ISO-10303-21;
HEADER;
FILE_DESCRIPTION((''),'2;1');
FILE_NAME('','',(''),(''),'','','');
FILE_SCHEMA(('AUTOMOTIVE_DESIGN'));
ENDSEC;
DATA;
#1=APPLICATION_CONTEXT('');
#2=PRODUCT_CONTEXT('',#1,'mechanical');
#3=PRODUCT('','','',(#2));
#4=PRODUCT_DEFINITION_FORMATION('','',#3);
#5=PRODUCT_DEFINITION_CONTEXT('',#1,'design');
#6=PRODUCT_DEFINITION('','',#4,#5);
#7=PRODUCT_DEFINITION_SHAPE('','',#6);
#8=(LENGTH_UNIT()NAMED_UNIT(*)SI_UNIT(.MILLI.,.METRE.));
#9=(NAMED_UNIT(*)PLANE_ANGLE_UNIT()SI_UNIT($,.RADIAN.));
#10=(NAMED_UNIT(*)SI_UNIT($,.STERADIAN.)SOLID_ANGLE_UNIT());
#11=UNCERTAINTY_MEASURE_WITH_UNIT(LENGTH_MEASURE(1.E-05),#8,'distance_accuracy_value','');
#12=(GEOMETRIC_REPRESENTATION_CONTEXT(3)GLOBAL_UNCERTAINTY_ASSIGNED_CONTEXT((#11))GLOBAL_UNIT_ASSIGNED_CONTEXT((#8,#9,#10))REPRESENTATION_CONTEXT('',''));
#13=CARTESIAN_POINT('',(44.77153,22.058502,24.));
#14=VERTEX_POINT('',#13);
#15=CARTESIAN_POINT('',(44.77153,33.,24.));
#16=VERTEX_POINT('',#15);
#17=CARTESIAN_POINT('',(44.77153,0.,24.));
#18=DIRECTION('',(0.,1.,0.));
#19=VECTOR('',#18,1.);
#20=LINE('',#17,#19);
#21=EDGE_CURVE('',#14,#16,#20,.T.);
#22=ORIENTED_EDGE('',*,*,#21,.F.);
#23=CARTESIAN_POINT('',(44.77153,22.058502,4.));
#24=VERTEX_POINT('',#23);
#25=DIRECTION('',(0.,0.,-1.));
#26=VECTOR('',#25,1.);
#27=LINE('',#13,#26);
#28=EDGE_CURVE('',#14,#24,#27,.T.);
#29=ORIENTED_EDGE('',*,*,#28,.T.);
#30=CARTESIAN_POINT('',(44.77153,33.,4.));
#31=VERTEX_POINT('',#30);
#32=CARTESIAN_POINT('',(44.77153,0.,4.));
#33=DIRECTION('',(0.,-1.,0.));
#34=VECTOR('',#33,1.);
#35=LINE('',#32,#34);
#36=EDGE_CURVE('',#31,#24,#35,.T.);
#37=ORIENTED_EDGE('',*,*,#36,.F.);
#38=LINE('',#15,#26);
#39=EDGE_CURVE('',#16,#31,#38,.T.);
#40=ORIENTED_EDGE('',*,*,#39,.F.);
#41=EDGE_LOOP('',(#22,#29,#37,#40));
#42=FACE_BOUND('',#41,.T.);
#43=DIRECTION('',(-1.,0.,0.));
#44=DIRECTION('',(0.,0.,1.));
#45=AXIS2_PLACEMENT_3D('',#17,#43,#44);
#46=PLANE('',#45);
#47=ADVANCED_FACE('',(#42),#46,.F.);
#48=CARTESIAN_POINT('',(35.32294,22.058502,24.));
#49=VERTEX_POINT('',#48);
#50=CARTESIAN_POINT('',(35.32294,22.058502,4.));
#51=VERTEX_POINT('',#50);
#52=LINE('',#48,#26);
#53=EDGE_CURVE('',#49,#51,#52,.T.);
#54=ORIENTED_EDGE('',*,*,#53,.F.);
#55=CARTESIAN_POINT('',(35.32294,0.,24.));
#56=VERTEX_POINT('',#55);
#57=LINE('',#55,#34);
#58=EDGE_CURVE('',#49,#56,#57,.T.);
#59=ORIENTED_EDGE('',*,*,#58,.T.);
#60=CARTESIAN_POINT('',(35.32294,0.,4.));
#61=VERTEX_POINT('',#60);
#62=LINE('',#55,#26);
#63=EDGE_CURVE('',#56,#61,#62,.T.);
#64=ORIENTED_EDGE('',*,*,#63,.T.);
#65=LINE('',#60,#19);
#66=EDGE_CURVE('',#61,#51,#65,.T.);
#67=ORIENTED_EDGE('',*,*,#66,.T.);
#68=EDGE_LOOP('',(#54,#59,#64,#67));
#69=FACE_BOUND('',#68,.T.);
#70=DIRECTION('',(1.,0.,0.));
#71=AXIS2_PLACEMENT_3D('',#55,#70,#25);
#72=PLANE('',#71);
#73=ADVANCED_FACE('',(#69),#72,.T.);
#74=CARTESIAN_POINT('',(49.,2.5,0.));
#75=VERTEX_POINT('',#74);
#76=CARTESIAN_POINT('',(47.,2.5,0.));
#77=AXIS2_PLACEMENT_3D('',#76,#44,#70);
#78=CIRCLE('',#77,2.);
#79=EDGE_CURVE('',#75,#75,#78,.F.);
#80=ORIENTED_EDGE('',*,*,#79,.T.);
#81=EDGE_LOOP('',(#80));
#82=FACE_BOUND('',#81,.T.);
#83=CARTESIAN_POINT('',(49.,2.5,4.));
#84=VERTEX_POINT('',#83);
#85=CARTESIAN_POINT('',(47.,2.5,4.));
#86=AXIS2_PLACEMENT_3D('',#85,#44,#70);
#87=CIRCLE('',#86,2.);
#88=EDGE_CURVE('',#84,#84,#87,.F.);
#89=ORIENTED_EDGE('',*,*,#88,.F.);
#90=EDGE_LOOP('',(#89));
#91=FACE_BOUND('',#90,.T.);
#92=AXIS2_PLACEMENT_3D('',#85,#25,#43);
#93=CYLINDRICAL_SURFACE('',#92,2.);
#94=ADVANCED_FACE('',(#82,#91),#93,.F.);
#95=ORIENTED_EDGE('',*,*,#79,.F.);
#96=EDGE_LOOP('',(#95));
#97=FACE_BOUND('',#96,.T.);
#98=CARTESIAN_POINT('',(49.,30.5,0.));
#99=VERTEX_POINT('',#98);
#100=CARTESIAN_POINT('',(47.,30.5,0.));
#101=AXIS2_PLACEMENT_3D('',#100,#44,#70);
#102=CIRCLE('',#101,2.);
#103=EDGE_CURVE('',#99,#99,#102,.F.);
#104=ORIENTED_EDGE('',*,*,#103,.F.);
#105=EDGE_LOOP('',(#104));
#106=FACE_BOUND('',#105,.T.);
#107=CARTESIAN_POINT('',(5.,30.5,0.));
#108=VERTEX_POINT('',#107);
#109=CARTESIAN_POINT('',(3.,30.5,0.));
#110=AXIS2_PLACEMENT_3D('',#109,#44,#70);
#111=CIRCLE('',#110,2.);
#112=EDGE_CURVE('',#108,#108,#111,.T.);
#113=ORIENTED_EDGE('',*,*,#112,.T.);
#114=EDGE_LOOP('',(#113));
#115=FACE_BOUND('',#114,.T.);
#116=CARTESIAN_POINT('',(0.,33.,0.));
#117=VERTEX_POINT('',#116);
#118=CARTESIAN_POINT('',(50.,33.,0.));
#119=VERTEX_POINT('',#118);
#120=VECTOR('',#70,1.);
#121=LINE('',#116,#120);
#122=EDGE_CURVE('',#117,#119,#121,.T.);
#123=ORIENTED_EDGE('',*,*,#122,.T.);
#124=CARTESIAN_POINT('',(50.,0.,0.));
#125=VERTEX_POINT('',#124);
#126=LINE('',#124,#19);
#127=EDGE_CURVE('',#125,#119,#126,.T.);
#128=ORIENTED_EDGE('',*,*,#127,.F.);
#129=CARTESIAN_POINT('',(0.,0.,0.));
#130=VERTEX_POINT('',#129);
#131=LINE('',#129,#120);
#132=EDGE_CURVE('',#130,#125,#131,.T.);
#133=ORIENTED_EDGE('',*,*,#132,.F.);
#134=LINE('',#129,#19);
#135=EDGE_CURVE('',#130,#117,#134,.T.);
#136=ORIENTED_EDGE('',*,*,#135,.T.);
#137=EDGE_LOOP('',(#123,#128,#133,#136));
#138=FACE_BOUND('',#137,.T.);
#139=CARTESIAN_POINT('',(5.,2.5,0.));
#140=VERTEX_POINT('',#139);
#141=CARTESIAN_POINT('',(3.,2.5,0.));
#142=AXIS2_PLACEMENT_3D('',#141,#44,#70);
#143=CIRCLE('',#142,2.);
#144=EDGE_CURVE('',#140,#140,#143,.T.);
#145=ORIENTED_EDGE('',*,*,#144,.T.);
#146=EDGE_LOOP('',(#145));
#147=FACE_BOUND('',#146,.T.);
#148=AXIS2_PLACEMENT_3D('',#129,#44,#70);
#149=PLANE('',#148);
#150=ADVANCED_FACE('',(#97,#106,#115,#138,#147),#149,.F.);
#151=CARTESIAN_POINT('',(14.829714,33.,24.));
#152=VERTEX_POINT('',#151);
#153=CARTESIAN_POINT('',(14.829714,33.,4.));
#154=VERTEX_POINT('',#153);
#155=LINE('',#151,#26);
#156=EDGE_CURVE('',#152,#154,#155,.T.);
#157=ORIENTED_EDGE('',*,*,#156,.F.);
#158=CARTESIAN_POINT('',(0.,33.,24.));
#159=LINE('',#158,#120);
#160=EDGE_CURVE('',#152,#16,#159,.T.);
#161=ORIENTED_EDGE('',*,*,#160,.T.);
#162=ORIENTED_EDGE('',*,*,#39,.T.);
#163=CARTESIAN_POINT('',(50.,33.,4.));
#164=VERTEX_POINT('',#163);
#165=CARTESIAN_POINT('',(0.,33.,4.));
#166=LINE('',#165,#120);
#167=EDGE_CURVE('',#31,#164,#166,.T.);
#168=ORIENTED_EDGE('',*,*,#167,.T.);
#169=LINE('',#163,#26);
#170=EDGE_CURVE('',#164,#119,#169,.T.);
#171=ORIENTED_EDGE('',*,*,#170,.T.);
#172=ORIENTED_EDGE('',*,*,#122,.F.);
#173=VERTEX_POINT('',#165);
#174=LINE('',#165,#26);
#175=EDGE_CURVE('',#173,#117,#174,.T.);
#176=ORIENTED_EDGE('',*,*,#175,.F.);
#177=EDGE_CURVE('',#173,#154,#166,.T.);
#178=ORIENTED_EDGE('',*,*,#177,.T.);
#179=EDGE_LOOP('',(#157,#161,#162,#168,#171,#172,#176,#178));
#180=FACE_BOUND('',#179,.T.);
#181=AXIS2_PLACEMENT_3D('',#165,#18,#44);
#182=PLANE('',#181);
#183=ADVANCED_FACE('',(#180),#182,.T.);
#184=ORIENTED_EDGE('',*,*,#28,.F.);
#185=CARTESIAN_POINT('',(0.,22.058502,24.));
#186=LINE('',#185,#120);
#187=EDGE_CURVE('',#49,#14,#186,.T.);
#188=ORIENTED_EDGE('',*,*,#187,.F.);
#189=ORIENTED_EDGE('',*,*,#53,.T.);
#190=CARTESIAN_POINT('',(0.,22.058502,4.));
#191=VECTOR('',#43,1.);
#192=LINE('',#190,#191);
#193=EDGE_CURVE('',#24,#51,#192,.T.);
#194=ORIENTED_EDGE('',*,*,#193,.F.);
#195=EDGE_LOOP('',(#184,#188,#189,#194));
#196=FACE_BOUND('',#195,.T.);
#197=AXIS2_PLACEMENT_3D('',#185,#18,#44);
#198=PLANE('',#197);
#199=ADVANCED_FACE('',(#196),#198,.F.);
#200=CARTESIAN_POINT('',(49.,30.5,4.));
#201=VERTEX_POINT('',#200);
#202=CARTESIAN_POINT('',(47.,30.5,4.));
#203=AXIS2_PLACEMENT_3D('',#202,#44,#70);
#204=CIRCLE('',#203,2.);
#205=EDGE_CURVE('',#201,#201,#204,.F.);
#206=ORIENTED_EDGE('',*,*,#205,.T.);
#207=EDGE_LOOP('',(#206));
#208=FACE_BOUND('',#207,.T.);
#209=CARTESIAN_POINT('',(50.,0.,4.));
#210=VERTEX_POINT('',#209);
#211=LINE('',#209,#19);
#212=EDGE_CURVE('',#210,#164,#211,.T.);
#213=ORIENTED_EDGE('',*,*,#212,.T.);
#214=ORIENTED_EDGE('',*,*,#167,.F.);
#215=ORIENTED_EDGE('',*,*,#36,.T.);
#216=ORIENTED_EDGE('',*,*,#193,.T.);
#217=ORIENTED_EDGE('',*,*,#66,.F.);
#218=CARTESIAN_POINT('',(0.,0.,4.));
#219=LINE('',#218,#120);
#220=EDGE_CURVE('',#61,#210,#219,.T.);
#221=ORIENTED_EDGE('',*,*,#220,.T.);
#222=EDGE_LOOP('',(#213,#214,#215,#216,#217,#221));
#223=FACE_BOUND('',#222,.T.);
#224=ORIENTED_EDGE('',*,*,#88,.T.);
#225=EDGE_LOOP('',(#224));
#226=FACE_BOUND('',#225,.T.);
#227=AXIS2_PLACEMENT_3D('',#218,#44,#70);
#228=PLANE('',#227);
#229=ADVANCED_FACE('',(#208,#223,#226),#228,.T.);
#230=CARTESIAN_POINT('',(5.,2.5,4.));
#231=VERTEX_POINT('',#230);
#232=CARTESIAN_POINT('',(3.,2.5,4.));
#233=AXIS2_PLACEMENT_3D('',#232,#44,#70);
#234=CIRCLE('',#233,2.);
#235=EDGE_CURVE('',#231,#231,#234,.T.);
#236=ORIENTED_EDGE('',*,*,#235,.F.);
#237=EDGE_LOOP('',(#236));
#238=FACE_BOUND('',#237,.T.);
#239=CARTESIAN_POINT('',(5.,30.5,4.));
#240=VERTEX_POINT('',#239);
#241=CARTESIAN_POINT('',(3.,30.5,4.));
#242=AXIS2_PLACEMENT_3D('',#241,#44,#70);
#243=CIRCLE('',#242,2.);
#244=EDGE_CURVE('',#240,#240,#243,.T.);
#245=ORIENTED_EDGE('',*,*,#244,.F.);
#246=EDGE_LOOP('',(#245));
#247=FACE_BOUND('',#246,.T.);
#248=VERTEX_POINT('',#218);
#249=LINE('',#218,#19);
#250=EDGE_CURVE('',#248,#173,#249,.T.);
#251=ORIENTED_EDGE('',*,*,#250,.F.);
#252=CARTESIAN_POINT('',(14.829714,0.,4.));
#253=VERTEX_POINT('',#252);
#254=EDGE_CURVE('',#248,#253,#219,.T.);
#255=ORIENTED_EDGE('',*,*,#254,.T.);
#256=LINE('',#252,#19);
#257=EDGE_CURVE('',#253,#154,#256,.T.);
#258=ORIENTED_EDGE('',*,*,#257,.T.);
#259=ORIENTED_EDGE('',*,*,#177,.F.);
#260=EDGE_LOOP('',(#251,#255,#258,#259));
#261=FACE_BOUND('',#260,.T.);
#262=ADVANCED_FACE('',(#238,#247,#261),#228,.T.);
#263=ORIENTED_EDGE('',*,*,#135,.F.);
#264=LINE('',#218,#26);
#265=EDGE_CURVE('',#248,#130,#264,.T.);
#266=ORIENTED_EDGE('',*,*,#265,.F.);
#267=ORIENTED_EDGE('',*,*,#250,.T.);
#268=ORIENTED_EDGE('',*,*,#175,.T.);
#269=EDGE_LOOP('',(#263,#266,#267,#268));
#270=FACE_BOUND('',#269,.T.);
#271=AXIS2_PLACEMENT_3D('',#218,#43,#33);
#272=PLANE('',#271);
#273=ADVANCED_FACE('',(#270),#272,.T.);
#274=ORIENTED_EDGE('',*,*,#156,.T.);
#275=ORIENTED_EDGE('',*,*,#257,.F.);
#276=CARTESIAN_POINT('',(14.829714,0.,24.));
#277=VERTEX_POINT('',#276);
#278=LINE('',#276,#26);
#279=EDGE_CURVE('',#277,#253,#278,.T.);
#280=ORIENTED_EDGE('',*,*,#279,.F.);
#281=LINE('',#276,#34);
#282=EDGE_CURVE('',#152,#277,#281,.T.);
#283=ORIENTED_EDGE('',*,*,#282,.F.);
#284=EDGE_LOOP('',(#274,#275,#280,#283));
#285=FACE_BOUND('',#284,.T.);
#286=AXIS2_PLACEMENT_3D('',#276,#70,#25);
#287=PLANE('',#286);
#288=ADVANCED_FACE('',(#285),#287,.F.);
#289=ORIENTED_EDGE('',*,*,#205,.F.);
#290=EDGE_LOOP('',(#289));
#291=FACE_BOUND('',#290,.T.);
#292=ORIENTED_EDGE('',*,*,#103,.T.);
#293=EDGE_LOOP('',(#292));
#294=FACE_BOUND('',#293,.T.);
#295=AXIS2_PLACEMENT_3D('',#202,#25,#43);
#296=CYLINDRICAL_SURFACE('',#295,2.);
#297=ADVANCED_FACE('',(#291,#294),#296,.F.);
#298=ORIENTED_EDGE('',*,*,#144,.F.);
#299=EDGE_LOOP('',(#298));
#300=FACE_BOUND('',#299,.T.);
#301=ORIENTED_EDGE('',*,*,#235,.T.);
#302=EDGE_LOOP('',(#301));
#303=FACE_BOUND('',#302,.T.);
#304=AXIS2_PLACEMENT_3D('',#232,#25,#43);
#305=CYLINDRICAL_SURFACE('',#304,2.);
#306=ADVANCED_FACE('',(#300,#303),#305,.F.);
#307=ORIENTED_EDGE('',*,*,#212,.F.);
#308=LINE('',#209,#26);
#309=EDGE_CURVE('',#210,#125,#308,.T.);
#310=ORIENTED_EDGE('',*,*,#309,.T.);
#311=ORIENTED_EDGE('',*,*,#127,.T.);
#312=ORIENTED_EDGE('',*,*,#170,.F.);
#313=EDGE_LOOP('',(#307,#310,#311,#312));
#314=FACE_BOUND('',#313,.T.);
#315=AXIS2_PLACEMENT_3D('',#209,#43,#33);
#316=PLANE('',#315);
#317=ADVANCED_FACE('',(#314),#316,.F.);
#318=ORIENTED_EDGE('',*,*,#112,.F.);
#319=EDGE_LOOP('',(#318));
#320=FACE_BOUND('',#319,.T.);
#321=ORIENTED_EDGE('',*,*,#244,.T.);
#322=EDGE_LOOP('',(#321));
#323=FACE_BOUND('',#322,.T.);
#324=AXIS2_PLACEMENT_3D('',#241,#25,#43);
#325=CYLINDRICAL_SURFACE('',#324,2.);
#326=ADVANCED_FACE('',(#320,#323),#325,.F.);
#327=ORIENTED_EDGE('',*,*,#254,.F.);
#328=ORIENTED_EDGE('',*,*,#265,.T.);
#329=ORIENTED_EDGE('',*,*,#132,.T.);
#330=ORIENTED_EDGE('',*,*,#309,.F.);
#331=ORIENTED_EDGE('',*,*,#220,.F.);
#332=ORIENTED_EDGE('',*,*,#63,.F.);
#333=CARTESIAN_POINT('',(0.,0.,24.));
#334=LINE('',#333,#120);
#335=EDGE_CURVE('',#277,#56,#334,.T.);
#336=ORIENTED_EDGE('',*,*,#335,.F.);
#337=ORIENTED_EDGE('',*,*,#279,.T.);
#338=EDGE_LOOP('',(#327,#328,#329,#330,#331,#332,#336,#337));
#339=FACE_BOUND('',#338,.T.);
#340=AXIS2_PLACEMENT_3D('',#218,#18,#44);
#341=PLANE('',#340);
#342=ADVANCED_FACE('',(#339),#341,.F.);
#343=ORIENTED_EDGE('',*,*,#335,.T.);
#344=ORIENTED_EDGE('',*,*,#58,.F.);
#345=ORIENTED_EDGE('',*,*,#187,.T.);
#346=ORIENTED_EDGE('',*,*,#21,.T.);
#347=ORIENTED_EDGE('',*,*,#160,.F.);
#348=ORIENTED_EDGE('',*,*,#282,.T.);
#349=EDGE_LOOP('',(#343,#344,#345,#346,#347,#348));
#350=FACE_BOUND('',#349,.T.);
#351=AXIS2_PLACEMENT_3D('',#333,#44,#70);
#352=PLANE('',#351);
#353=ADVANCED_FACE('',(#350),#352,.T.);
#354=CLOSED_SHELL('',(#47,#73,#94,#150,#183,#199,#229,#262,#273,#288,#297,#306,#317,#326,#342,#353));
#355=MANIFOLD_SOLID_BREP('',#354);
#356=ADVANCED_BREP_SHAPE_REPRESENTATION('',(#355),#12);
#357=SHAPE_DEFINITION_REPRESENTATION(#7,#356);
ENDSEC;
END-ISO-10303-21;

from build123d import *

# Parameters (mm, degrees)
SKETCH1_W           = 50
SKETCH1_H           = 33
SKETCH1_R           = 2
BOSS_EXTRUDE1_DEPTH = 4
BOSS_EXTRUDE2_DEPTH = 24


with BuildPart() as part:
    # Sketch1 → Boss-Extrude1 (new body)
    with BuildSketch(Plane.XY):
        with Locations((25, 16.5)):
            Rectangle(SKETCH1_W, SKETCH1_H)
        with Locations((3, 2.5)):
            Circle(SKETCH1_R, mode=Mode.SUBTRACT)
        with Locations((3, 30.5)):
            Circle(SKETCH1_R, mode=Mode.SUBTRACT)
        with Locations((47, 2.5)):
            Circle(SKETCH1_R, mode=Mode.SUBTRACT)
        with Locations((47, 30.5)):
            Circle(SKETCH1_R, mode=Mode.SUBTRACT)
    extrude(amount=BOSS_EXTRUDE1_DEPTH)

    # Sketch1<3> → Boss-Extrude2 (add)
    with BuildSketch(Plane.XY):
        Polygon((14.829713536, 33), (14.829713536, 0), (35.322939572, 0), (35.322939572, 22.058501613), (44.771529769, 22.058501613), (44.771529769, 33), align=None)
    extrude(amount=BOSS_EXTRUDE2_DEPTH)


solid = part.part
